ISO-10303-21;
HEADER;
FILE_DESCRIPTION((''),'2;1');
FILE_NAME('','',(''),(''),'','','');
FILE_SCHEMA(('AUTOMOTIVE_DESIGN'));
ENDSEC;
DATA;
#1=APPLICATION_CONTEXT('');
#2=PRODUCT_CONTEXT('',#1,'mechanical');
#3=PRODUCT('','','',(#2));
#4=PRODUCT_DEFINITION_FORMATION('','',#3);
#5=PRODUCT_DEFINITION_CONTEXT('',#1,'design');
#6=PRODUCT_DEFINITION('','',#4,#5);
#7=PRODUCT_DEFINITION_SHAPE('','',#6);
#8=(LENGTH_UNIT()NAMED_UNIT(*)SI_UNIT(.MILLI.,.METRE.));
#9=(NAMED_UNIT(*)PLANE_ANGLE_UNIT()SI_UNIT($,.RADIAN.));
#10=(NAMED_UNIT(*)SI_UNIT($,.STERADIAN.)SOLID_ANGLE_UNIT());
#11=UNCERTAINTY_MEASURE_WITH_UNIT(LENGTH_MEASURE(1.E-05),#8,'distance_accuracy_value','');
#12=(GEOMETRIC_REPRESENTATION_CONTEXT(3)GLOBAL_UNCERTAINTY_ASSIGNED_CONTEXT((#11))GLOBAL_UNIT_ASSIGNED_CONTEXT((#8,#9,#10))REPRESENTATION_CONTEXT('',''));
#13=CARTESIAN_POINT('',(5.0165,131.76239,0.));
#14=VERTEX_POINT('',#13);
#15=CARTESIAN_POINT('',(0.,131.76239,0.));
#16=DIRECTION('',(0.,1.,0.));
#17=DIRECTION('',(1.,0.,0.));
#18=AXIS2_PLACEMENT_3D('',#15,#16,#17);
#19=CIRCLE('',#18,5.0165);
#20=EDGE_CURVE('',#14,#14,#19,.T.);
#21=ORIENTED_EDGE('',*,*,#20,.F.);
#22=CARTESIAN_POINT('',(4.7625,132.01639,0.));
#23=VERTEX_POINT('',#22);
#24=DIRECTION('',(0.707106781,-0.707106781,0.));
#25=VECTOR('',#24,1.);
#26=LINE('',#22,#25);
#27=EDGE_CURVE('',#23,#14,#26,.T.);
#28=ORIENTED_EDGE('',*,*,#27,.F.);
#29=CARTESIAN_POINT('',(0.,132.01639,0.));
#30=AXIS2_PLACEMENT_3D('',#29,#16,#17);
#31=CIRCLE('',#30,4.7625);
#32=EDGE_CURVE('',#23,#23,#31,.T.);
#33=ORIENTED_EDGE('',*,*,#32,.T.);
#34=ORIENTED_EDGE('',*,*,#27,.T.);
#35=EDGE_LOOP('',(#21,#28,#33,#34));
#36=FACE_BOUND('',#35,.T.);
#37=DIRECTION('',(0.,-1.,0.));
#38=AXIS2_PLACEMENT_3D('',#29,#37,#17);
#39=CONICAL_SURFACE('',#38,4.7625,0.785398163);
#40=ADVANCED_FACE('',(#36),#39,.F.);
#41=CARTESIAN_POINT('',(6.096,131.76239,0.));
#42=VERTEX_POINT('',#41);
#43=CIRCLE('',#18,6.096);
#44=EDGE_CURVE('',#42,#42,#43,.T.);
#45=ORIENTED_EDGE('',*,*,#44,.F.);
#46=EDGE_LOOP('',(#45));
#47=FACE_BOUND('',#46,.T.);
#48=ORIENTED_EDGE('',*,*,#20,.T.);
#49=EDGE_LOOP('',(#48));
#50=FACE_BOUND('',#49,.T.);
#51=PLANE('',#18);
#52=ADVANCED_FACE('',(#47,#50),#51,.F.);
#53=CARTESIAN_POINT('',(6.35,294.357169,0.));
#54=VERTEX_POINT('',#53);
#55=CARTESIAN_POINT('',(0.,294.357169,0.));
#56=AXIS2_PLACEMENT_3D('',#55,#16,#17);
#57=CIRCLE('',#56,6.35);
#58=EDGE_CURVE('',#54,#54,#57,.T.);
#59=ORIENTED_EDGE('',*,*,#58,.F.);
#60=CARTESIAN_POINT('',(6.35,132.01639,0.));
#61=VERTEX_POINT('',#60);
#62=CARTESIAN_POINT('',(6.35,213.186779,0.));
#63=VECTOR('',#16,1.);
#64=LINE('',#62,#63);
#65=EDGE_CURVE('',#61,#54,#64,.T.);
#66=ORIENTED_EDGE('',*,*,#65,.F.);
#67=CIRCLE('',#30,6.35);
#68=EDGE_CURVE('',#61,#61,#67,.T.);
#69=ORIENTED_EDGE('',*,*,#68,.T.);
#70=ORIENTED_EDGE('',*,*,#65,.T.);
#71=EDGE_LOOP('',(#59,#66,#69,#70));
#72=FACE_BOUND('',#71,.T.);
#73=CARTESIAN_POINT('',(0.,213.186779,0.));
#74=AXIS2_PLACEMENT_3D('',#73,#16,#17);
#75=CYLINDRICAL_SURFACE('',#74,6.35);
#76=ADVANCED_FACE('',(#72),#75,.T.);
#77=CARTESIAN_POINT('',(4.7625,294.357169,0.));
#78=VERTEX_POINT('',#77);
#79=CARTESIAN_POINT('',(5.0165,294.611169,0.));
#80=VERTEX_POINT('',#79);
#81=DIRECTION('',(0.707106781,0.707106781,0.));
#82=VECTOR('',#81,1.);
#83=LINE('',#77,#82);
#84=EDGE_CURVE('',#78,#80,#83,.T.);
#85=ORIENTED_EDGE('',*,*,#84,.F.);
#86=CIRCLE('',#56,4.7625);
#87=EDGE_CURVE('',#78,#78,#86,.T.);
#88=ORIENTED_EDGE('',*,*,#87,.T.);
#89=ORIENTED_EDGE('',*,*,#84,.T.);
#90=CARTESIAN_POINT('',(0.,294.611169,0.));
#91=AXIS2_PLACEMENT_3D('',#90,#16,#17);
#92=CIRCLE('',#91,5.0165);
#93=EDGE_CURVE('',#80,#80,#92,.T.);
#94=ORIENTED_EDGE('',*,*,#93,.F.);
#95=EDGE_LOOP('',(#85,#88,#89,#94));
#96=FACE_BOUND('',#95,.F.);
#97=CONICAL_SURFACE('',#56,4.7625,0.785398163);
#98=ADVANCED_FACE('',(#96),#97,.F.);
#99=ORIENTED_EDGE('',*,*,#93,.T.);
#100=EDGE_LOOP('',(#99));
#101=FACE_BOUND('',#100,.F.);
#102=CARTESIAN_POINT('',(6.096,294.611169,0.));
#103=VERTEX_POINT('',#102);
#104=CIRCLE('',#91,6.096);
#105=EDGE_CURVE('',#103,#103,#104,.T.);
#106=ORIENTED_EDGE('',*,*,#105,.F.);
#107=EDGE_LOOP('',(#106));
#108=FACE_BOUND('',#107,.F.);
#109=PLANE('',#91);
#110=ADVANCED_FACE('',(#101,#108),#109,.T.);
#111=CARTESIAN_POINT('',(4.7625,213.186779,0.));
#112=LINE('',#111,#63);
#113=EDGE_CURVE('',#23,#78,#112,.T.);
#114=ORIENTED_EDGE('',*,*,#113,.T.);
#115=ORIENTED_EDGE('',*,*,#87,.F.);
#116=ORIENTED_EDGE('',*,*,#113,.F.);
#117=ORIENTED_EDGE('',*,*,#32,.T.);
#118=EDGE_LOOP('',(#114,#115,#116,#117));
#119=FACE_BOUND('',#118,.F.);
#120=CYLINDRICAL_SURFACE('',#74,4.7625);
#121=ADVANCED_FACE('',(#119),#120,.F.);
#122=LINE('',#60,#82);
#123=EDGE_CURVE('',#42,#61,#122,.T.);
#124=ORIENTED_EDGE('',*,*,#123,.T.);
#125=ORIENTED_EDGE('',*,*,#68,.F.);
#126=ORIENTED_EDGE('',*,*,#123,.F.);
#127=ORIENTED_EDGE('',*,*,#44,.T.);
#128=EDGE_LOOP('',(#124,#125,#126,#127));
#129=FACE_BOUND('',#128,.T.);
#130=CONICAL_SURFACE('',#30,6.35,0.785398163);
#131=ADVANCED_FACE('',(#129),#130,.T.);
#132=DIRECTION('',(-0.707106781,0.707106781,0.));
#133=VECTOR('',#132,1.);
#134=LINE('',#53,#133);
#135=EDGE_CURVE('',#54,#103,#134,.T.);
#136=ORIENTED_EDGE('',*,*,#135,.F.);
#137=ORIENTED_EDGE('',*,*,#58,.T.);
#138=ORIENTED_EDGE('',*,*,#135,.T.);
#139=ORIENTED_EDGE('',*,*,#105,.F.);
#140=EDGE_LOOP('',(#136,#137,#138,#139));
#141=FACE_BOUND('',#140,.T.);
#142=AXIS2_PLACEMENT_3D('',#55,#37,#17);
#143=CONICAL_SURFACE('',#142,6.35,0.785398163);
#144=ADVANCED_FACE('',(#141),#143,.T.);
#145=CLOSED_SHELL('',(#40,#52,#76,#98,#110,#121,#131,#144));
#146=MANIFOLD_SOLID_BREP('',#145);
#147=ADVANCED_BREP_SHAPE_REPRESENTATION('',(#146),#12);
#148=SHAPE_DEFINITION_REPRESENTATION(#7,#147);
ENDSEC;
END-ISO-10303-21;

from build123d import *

# Parameters (mm, degrees)
SKETCH1_W     = 1.5875
SKETCH1_H     = 162.848779076
CHAMFER1_SIZE = 0.254


with BuildPart() as part:
    # Sketch1 → Revolve1 (revolve)
    with BuildSketch(Plane.XY):
        with Locations((5.55625, 213.186779468)):
            Rectangle(SKETCH1_W, SKETCH1_H)
    revolve(axis=Axis((0, 122.23738993, 0), (0, 1, 0)))

    # Chamfer1
    chamfer1_edges = [part.edges().sort_by_distance(p)[0] for p in [
        (-6.35, 131.76238993, 0),
        (-6.35, 294.611169006, 0),
        (-4.7625, 294.611169006, 0),
        (-4.7625, 131.76238993, 0),
    ]]
    chamfer(chamfer1_edges, length=CHAMFER1_SIZE)


solid = part.part
